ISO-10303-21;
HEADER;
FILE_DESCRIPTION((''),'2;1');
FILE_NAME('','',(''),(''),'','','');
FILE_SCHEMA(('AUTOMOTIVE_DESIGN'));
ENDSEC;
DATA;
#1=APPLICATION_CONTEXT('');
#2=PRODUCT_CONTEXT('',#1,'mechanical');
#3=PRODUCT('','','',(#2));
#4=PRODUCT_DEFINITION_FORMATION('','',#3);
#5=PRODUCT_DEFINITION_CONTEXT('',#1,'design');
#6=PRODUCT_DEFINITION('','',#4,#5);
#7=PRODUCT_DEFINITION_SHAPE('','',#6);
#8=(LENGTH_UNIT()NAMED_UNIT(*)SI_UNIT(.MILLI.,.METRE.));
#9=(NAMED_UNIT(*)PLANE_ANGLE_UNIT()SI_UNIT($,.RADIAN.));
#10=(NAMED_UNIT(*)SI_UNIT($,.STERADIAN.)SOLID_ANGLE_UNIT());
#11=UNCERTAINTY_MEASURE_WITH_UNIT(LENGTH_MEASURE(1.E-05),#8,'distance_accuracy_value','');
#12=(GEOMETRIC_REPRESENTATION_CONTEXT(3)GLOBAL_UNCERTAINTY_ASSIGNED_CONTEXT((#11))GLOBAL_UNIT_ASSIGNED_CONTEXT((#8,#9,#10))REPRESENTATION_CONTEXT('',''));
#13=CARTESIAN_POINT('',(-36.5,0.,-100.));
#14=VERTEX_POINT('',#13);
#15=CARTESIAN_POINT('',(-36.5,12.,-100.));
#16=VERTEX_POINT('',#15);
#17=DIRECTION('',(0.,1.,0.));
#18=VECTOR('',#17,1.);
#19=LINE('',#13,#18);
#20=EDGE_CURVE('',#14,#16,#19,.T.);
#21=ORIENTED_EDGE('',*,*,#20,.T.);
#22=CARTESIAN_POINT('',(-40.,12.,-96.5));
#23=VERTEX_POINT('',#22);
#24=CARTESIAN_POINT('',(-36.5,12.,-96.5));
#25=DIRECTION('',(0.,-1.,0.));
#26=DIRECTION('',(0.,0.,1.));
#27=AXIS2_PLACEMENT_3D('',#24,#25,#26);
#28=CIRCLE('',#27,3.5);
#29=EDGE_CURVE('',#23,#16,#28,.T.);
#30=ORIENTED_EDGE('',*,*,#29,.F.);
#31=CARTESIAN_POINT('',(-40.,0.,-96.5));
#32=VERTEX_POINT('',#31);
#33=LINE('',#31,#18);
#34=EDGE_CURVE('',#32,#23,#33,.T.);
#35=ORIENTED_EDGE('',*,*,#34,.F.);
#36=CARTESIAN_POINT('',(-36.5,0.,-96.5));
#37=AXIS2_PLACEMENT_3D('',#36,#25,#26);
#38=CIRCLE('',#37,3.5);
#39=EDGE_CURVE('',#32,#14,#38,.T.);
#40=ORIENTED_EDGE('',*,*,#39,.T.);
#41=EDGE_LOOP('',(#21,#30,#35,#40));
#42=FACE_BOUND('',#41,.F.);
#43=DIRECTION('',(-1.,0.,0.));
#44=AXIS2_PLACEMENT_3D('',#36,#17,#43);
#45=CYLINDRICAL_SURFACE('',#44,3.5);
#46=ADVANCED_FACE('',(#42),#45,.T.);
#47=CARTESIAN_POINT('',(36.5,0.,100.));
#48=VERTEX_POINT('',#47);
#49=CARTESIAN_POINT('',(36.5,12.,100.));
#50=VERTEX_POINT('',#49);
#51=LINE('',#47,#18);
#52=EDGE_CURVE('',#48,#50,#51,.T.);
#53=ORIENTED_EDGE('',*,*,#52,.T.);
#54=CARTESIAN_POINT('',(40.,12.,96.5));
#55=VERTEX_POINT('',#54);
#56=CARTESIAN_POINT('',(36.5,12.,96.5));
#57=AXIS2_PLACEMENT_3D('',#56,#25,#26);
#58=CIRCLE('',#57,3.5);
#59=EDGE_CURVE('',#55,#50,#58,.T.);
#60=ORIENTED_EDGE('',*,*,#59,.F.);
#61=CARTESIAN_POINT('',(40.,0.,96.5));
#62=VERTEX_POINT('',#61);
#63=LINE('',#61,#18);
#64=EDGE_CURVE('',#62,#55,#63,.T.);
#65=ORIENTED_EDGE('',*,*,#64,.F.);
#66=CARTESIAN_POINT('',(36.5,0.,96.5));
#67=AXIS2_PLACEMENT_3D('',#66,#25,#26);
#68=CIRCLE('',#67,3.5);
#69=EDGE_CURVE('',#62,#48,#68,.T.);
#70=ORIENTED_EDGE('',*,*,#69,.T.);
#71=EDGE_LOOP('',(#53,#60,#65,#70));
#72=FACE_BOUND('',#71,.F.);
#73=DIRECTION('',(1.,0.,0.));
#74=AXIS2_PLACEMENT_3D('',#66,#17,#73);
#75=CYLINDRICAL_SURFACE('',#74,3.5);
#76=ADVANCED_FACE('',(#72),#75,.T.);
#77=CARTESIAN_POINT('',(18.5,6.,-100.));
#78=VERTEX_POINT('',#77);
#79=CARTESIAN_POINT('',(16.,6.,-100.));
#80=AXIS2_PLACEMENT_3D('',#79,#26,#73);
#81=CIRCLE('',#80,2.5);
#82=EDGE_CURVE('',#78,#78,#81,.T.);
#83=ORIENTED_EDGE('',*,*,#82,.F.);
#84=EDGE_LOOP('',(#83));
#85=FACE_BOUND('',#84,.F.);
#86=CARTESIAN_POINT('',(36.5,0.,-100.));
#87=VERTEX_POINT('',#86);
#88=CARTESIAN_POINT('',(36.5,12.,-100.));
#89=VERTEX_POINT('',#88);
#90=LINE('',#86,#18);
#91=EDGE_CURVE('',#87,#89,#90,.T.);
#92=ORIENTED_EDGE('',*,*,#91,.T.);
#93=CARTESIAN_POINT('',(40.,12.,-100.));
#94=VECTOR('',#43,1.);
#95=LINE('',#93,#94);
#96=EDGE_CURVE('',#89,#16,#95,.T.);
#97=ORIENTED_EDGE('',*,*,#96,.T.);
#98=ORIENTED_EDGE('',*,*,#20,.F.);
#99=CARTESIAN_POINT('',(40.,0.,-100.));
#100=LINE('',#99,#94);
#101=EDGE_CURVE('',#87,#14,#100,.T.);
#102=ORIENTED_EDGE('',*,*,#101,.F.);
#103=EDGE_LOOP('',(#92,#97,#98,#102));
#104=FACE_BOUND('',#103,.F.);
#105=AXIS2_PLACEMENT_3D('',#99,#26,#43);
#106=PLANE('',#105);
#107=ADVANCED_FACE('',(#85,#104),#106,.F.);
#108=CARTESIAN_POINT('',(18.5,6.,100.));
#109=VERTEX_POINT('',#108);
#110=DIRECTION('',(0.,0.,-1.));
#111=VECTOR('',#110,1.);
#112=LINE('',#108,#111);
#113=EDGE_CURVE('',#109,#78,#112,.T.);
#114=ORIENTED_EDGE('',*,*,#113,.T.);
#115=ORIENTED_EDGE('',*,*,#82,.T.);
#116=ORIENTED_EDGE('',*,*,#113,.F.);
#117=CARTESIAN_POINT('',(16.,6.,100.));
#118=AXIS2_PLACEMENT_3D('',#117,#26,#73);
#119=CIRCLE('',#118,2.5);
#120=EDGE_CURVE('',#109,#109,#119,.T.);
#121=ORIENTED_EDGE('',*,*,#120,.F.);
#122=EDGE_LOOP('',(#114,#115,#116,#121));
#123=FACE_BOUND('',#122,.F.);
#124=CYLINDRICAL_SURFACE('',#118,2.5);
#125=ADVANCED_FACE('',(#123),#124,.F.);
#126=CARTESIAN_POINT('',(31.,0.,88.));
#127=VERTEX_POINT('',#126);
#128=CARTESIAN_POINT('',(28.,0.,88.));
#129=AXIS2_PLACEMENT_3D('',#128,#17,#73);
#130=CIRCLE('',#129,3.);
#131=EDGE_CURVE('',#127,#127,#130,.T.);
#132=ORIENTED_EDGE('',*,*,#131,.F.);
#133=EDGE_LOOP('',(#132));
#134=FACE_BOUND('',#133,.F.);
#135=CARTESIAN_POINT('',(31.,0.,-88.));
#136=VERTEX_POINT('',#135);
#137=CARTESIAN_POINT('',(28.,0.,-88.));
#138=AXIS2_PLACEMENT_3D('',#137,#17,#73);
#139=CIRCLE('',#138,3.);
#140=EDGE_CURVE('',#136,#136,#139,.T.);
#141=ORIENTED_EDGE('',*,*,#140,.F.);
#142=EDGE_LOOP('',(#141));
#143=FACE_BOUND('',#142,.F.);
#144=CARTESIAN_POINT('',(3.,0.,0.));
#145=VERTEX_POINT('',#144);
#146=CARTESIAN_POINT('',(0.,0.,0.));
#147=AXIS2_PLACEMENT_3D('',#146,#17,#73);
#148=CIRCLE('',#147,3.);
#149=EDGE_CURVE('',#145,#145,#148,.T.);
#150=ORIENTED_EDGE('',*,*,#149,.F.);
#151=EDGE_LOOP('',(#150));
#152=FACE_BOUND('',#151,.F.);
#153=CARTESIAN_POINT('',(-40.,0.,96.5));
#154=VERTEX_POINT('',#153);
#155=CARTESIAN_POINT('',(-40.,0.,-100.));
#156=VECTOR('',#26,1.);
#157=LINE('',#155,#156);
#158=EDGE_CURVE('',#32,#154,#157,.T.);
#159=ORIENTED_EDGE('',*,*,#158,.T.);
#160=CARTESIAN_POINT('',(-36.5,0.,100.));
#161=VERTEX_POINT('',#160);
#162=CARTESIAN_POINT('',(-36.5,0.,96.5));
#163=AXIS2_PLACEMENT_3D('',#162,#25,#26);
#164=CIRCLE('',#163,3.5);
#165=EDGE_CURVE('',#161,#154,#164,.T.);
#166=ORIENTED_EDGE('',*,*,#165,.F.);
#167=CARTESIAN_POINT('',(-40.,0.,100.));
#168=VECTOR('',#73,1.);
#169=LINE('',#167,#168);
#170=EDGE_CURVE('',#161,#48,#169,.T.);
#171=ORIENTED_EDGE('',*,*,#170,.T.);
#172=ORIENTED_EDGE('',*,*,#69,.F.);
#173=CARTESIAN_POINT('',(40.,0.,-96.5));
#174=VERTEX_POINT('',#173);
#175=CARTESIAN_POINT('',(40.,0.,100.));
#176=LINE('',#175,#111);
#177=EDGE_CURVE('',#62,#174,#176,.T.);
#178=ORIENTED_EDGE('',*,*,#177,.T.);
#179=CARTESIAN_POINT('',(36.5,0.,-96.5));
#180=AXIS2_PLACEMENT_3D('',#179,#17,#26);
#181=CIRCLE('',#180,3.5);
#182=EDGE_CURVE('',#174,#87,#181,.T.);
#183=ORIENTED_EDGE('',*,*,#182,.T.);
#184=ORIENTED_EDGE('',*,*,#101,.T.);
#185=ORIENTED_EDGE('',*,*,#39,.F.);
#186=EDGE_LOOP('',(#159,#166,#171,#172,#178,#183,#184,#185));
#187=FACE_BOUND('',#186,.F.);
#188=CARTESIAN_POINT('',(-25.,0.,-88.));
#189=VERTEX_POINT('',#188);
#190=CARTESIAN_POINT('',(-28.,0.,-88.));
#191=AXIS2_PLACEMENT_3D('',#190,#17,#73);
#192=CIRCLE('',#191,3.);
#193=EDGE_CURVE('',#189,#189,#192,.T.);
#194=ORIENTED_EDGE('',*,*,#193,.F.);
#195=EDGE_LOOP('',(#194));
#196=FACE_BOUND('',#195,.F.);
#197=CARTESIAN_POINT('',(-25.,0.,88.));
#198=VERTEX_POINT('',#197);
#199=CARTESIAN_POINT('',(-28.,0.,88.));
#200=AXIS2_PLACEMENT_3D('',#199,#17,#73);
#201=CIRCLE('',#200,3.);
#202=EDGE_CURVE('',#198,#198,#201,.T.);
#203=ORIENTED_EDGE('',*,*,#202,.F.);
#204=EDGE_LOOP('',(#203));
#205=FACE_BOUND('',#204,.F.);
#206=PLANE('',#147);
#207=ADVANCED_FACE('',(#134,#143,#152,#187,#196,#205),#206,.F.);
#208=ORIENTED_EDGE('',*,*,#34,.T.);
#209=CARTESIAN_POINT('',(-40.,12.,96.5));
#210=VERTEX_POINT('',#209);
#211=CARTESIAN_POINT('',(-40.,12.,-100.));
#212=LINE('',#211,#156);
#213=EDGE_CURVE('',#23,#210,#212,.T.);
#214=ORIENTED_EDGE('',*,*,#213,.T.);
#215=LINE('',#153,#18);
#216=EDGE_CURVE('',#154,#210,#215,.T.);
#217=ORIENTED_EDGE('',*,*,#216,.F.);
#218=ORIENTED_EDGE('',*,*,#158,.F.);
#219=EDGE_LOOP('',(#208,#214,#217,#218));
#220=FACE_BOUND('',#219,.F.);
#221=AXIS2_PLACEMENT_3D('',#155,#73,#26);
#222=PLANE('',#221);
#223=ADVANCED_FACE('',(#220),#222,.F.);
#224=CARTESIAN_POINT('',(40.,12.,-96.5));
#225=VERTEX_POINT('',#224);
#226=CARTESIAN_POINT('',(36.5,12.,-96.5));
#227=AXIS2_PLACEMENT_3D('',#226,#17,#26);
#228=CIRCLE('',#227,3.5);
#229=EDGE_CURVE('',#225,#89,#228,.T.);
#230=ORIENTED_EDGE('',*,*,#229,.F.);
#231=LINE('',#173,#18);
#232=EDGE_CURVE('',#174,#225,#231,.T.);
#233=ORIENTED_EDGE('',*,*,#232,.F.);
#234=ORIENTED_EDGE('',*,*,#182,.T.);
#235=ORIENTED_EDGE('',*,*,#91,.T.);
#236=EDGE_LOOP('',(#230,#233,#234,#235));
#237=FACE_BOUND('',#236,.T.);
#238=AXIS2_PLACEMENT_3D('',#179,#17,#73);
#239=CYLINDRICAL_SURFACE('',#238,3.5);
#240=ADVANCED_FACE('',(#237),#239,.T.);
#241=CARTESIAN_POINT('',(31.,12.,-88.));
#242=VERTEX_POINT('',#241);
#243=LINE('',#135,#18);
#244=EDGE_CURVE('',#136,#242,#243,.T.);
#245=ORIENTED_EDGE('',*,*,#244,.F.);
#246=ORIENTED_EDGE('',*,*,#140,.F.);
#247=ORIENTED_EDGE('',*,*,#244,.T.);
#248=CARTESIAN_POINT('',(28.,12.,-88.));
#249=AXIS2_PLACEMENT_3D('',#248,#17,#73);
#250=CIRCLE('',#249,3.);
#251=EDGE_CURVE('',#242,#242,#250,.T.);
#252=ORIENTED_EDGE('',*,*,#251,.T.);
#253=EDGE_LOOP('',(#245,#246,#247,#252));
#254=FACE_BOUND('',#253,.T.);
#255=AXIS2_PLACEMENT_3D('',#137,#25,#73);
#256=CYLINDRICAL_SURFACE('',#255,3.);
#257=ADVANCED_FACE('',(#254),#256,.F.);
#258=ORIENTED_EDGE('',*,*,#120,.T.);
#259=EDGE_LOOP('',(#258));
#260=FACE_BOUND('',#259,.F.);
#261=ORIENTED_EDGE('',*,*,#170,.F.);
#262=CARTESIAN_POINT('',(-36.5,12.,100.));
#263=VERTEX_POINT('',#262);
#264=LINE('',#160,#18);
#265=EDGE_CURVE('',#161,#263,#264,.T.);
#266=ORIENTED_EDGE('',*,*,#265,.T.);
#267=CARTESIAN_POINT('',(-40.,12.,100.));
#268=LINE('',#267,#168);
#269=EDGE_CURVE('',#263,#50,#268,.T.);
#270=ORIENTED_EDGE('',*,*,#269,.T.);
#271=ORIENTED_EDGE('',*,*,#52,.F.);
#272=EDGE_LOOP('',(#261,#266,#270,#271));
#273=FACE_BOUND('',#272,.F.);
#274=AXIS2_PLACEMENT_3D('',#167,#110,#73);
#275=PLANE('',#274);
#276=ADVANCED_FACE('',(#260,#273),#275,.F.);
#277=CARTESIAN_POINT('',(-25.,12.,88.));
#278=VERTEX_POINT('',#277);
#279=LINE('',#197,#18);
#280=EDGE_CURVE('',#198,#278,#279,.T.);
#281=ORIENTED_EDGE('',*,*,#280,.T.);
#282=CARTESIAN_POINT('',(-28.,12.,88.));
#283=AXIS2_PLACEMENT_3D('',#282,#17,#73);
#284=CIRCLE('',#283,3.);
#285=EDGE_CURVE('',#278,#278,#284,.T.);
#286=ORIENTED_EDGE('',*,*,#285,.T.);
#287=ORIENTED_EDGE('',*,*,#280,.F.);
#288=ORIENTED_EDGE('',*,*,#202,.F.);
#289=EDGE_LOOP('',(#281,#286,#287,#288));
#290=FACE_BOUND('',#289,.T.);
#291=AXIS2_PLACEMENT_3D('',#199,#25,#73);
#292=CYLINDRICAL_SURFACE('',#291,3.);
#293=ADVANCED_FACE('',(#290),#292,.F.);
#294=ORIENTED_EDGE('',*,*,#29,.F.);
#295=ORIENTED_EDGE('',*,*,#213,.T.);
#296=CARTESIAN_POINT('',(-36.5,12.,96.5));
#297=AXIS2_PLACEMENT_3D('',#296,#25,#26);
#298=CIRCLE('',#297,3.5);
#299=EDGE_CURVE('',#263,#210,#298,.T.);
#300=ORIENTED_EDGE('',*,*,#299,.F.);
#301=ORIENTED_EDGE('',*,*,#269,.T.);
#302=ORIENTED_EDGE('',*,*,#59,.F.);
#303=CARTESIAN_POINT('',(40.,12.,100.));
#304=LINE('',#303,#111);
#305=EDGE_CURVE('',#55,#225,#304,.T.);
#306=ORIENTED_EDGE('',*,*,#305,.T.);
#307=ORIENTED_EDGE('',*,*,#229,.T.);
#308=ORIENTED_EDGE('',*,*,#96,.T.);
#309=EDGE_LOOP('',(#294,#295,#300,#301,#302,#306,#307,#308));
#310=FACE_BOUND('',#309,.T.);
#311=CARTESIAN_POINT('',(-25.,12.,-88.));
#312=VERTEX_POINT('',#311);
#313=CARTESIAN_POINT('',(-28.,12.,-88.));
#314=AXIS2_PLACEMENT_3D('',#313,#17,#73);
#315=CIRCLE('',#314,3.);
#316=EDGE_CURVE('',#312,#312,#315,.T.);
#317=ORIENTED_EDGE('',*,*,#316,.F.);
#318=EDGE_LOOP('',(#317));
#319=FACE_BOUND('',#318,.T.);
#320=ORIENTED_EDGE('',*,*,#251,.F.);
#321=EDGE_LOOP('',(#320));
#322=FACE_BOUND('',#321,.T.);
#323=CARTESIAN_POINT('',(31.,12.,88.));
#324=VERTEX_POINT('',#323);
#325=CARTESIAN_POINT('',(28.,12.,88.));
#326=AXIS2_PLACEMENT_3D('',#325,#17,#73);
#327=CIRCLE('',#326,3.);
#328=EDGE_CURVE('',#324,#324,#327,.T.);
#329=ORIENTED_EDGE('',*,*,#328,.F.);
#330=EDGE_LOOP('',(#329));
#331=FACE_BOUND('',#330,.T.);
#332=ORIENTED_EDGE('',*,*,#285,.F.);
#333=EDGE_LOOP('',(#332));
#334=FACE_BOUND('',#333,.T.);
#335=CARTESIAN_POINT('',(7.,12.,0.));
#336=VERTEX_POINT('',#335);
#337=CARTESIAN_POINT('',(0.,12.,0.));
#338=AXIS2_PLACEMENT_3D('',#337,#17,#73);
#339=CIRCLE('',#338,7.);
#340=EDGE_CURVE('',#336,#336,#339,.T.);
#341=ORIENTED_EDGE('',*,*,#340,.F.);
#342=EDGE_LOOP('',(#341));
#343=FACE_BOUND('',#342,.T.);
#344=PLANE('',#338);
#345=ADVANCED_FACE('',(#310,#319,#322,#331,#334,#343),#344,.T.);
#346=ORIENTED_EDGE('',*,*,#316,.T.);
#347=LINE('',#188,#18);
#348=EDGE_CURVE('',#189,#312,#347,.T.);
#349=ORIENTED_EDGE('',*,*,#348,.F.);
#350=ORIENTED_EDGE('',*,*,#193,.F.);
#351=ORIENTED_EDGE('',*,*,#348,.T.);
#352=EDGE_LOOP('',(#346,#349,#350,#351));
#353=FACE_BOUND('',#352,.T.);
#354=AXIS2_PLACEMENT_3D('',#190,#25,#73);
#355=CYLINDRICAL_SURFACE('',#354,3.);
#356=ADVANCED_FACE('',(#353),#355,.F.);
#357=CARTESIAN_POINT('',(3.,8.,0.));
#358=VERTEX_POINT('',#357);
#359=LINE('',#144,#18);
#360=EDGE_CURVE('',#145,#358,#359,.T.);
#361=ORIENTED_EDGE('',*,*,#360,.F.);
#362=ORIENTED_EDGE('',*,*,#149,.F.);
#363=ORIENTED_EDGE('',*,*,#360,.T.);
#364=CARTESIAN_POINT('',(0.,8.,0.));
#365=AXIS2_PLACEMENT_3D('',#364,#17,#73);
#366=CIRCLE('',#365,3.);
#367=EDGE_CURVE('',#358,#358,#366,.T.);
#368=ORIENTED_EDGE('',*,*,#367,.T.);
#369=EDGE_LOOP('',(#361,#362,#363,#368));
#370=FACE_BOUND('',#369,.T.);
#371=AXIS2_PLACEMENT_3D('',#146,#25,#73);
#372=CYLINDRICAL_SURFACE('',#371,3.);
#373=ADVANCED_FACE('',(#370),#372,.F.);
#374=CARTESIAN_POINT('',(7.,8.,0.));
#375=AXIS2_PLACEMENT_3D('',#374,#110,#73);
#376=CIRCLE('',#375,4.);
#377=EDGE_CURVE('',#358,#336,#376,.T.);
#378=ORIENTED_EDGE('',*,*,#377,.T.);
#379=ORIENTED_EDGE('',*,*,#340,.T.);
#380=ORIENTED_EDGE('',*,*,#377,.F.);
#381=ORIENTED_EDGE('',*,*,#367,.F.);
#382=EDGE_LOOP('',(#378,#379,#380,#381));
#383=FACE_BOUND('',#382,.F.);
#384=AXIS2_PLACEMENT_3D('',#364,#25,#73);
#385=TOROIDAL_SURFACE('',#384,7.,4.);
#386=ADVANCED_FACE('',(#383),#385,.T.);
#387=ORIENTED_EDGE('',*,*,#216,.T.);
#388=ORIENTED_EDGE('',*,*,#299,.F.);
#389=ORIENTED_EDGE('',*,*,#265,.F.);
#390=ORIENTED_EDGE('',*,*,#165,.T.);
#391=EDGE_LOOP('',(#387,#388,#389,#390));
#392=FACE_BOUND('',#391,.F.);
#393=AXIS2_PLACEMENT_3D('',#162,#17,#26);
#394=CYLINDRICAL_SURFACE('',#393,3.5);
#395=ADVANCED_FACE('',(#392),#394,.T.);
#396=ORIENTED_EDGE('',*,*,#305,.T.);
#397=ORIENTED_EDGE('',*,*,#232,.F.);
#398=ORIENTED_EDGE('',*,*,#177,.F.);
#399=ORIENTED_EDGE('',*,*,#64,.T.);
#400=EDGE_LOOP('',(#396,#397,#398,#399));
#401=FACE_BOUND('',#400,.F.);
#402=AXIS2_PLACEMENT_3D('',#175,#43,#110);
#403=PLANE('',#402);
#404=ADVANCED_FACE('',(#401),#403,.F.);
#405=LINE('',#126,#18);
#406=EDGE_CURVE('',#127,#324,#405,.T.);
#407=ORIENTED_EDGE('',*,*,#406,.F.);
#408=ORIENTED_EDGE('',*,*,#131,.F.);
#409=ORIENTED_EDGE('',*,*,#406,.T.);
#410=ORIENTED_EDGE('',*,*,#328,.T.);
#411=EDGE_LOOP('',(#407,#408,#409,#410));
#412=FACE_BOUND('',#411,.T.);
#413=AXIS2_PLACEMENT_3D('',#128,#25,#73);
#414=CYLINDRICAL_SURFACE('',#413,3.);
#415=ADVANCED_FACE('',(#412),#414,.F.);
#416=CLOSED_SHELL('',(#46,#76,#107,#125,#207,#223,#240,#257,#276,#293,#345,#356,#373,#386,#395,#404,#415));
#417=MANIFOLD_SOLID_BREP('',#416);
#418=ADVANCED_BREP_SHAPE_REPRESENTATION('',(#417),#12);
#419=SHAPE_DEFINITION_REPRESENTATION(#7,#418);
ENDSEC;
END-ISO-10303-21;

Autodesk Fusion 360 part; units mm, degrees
sketch "Sketch1" plane through (0, 0, 0) normal (0, 1, 0) x (1, 0, 0)
  line L0 (0, 130) -> (0, -122.2085) construction
  line L1 (-100, 0) -> (125, 0) construction
  line L2 (40, 100) -> (-40, 100)
  line L3 (-40, 100) -> (-40, -100)
  line L4 (-40, -100) -> (40, -100)
  line L5 (40, -100) -> (40, 100)
  line L6 (40, 100) -> (-40, -100) construction
  line L7 (-40, 100) -> (40, -100) construction
  circle A0 centre (-28, -88) radius 3
  circle A1 centre (0, 0) radius 3
  circle A2 centre (-28, 88) radius 3
  circle A3 centre (28, 88) radius 3
  circle A4 centre (28, -88) radius 3
  dimension "d1" = 80
  dimension "d2" = 200
  dimension "d3" = 6
  dimension "d4" = 6
  dimension "d5" = 12
  dimension "d6" = 12
extrude "Extrude1" add sketch "Sketch1" along normal blind 12
fillet "Fillet1" radius 4 1 edges at (-2.797, 12, -1.0848)
fillet "Fillet2" radius 3.5 4 edges at (40, 6, -100) (-40, 6, -100) (-40, 6, 100) (40, 6, 100)
sketch "Sketch2" plane through (0, 0, 100) normal (0, 0, 1) x (1, 0, 0)
  line L0 (36.5, 0) -> (36.5, 12)
  line L1 (36.5, 12) -> (-36.5, 12)
  line L2 (-36.5, 12) -> (-36.5, 0)
  line L3 (-36.5, 0) -> (36.5, 0)
  line L4 (0, 12) -> (0, 0) construction
  line L5 (7, 12) -> (7, 0) construction
  line L6 (7, 12) -> (-7, 12) construction
  line L7 (25, 12) -> (31, 12) construction
  line L8 (25, 12) -> (25, 0) construction
  line L9 (25, 0) -> (7, 12) construction
  line L10 (7, 0) -> (25, 12) construction
  circle A0 centre (16, 6) radius 2.5
  dimension "d13" = 7
  dimension "d14" = 14
  dimension "d15" = 6
  dimension "d16" = 5
extrude "Extrude2" cut sketch "Sketch2" against normal blind 200 contours A0
equation "d6 = d5"
equation "d13 = d14 / 2"
